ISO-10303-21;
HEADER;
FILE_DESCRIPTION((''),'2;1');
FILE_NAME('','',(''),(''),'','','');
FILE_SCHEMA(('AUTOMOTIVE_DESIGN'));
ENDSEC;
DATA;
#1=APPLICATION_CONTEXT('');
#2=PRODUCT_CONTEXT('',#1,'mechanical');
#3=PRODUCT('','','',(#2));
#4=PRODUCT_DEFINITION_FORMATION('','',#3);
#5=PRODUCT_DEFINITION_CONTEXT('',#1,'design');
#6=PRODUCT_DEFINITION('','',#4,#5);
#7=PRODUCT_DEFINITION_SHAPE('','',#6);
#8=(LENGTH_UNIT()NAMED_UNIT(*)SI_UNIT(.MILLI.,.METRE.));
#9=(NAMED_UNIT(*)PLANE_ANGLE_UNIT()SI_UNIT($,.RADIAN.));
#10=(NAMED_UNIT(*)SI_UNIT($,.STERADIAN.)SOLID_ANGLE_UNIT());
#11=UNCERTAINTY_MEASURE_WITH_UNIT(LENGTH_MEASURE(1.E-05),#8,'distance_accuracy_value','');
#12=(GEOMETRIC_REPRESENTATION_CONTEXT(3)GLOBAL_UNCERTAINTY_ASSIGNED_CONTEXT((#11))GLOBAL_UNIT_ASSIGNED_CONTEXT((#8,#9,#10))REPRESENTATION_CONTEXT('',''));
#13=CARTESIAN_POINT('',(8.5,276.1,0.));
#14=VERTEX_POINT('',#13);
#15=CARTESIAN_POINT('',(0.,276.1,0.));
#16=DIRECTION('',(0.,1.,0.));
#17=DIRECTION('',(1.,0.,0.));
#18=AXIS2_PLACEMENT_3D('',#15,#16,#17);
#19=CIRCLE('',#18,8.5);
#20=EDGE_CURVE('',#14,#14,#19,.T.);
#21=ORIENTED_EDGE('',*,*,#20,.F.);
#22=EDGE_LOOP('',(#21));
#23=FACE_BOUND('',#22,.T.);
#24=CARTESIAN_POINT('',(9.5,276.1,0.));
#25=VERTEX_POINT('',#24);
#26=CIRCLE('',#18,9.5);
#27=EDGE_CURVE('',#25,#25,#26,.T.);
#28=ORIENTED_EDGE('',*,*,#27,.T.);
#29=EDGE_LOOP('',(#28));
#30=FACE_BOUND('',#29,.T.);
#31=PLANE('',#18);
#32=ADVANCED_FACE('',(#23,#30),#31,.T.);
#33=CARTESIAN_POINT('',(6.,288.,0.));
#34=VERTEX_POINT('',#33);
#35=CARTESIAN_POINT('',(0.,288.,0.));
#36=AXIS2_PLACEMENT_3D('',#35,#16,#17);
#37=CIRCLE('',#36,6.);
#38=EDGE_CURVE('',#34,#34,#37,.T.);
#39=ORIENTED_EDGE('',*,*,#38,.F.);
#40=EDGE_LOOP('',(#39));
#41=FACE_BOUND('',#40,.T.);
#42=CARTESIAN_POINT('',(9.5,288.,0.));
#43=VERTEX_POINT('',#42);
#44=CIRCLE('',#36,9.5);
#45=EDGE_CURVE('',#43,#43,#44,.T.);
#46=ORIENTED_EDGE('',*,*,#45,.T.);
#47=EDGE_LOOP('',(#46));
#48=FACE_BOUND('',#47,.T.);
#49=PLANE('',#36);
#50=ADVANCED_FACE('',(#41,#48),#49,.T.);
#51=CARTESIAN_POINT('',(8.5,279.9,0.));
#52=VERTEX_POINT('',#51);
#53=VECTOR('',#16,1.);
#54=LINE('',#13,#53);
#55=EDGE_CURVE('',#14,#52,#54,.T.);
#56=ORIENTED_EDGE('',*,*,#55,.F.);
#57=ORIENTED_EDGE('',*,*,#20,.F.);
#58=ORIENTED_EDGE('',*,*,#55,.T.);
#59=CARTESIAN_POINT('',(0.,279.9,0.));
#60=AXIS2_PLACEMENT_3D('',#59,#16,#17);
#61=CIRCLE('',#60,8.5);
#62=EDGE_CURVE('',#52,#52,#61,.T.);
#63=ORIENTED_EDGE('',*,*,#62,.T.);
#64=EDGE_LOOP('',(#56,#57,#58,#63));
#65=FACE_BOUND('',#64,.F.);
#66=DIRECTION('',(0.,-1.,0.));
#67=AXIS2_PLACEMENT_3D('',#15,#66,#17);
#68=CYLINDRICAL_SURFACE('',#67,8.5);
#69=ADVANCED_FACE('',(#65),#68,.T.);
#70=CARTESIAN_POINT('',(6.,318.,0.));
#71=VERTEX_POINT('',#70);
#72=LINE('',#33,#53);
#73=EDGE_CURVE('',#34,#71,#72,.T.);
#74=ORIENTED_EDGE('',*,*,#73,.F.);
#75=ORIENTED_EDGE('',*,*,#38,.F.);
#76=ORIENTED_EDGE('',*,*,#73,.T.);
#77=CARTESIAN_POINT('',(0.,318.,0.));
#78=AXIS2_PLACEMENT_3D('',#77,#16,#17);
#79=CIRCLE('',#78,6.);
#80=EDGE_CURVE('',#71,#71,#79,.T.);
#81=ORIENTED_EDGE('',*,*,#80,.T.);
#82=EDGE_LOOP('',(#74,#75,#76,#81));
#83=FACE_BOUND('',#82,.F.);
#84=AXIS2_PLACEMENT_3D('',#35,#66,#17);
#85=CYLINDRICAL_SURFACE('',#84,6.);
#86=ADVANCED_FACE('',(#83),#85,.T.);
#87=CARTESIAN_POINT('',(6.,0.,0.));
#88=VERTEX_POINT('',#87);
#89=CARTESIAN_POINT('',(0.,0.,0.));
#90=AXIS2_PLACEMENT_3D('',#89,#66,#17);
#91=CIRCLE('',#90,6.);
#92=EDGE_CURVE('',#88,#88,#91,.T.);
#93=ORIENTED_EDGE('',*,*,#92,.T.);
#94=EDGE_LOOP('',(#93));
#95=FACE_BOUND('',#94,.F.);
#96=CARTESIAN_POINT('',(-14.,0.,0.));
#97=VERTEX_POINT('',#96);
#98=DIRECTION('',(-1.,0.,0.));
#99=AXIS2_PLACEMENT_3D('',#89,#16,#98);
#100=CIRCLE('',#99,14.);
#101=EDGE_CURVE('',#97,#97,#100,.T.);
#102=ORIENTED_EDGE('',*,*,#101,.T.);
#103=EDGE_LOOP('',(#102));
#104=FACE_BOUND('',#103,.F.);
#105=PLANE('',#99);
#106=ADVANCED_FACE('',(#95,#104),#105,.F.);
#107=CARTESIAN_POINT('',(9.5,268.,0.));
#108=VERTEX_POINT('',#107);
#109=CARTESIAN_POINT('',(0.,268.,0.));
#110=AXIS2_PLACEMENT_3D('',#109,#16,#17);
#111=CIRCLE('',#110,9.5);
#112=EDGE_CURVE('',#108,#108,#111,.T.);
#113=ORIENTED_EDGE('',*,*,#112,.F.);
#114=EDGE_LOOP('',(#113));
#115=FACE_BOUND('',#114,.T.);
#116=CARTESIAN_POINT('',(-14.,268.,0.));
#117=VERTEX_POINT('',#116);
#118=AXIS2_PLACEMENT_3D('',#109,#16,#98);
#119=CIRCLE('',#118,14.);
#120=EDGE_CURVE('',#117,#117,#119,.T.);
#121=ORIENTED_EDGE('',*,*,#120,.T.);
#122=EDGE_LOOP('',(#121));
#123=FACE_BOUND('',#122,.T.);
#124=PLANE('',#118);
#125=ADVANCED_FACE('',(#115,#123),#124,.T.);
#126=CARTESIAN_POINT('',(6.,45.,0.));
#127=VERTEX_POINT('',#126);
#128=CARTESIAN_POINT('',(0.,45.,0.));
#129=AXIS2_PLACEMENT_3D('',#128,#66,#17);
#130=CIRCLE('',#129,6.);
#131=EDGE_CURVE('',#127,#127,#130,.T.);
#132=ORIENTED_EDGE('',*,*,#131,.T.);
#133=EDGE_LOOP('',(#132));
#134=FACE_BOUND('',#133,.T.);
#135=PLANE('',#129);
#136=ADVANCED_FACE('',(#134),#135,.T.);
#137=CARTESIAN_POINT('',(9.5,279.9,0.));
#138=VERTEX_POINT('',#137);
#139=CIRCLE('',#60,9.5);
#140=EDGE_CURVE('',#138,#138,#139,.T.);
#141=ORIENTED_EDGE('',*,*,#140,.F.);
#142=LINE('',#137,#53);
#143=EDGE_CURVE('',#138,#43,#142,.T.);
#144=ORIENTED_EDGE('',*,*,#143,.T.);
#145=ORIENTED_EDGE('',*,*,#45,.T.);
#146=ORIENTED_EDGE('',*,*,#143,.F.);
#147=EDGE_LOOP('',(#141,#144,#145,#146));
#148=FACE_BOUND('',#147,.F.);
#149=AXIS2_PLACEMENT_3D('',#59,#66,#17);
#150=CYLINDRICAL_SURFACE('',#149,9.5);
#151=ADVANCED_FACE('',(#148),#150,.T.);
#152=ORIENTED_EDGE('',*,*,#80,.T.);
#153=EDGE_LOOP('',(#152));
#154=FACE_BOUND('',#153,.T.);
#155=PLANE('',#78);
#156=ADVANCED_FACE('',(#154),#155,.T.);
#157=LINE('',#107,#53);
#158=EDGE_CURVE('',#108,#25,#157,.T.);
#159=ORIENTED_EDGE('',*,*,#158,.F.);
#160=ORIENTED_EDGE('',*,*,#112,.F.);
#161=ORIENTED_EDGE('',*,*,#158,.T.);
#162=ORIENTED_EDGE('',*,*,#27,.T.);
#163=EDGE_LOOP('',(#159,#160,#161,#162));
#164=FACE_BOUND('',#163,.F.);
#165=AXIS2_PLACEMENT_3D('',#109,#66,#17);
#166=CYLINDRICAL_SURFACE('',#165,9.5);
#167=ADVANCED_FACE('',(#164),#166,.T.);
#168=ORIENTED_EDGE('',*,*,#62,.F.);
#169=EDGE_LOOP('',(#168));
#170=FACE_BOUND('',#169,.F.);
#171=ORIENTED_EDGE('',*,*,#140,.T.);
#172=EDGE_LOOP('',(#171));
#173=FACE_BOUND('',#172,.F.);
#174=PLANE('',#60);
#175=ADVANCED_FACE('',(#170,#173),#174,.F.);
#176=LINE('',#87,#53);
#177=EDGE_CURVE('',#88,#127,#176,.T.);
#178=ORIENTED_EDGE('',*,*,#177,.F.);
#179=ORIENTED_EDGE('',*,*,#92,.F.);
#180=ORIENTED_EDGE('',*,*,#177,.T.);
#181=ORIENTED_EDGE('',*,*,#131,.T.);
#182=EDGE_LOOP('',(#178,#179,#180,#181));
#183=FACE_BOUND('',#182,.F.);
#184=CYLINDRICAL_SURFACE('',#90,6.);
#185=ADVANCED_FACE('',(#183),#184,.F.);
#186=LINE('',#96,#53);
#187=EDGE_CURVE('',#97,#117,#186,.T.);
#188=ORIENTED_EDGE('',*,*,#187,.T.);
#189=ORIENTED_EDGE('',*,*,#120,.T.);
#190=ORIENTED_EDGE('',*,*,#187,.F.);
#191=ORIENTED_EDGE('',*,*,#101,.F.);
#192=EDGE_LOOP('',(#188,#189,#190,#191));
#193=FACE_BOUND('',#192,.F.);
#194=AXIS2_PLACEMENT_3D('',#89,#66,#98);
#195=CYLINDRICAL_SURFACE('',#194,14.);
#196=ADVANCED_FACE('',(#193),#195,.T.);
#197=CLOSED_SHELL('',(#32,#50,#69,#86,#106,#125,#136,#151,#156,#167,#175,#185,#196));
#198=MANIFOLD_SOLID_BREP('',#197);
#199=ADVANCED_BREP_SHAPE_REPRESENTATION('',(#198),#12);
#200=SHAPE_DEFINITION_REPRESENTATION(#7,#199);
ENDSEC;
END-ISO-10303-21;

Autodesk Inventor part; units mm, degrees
ref_plane "YZ Plane" through (0, 0, 0) normal (1, 0, 0) x (0, 1, 0)
ref_plane "XZ Plane" through (0, 0, 0) normal (0, 1, 0) x (-1, 0, 0)
ref_plane "XY Plane" through (0, 0, 0) normal (0, 0, 1) x (1, 0, 0)
sketch "Sketch1" plane through (0, 0, 0) normal (0, 1, 0) x (-1, 0, 0)
  circle A0 centre (0, 0) radius 14
  dimension "d0" = 28
extrude "Extrusion1" add sketch "Sketch1" along normal blind 268
sketch "Sketch5" plane through (0, 268, 0) normal (0, 1, 0) x (1, 0, 0)
  point P0 (0, 0)
sketch "Sketch6" plane through (0, 0, 0) normal (1, 0, 0) x (0, 1, 0)
  point P0 (0, 0)
sketch "Sketch7" plane through (0, 268, 0) normal (0, 1, 0) x (1, 0, 0)
  circle A0 centre (0, 0) radius 9.5
  dimension "d13" = 19
extrude "Extrusion3" add sketch "Sketch7" along normal blind 8.1
sketch "Sketch8" plane through (0, 276.1, 0) normal (0, 1, 0) x (1, 0, 0)
  circle A0 centre (0, 0) radius 8.5
  dimension "d16" = 17
extrude "Extrusion4" add sketch "Sketch8" along normal blind 3.8
sketch "Sketch9" plane through (0, 279.9, 0) normal (0, 1, 0) x (1, 0, 0)
  circle A0 centre (0, 0) radius 9.5
  dimension "d19" = 19
extrude "Extrusion5" add sketch "Sketch9" along normal blind 8.1
sketch "Sketch10" plane through (0, 288, 0) normal (0, 1, 0) x (1, 0, 0)
  circle A0 centre (0, 0) radius 6
  dimension "d22" = 12
extrude "Extrusion6" add sketch "Sketch10" along normal blind 30
sketch "Sketch11" plane through (0, 0, 0) normal (0, -1, 0) x (1, 0, 0)
  circle A0 centre (0, 0) radius 6
  dimension "d25" = 12
extrude "Extrusion7" cut sketch "Sketch11" against normal blind 45
thread "Thread1" size "M12x1" class "6H" standard "ANSI Metric M Profile" full length
thread "Thread2" size "M12x1" class "6g" standard "ANSI Metric M Profile" full length
properties part number "Hydraulic cylinder part 3"
